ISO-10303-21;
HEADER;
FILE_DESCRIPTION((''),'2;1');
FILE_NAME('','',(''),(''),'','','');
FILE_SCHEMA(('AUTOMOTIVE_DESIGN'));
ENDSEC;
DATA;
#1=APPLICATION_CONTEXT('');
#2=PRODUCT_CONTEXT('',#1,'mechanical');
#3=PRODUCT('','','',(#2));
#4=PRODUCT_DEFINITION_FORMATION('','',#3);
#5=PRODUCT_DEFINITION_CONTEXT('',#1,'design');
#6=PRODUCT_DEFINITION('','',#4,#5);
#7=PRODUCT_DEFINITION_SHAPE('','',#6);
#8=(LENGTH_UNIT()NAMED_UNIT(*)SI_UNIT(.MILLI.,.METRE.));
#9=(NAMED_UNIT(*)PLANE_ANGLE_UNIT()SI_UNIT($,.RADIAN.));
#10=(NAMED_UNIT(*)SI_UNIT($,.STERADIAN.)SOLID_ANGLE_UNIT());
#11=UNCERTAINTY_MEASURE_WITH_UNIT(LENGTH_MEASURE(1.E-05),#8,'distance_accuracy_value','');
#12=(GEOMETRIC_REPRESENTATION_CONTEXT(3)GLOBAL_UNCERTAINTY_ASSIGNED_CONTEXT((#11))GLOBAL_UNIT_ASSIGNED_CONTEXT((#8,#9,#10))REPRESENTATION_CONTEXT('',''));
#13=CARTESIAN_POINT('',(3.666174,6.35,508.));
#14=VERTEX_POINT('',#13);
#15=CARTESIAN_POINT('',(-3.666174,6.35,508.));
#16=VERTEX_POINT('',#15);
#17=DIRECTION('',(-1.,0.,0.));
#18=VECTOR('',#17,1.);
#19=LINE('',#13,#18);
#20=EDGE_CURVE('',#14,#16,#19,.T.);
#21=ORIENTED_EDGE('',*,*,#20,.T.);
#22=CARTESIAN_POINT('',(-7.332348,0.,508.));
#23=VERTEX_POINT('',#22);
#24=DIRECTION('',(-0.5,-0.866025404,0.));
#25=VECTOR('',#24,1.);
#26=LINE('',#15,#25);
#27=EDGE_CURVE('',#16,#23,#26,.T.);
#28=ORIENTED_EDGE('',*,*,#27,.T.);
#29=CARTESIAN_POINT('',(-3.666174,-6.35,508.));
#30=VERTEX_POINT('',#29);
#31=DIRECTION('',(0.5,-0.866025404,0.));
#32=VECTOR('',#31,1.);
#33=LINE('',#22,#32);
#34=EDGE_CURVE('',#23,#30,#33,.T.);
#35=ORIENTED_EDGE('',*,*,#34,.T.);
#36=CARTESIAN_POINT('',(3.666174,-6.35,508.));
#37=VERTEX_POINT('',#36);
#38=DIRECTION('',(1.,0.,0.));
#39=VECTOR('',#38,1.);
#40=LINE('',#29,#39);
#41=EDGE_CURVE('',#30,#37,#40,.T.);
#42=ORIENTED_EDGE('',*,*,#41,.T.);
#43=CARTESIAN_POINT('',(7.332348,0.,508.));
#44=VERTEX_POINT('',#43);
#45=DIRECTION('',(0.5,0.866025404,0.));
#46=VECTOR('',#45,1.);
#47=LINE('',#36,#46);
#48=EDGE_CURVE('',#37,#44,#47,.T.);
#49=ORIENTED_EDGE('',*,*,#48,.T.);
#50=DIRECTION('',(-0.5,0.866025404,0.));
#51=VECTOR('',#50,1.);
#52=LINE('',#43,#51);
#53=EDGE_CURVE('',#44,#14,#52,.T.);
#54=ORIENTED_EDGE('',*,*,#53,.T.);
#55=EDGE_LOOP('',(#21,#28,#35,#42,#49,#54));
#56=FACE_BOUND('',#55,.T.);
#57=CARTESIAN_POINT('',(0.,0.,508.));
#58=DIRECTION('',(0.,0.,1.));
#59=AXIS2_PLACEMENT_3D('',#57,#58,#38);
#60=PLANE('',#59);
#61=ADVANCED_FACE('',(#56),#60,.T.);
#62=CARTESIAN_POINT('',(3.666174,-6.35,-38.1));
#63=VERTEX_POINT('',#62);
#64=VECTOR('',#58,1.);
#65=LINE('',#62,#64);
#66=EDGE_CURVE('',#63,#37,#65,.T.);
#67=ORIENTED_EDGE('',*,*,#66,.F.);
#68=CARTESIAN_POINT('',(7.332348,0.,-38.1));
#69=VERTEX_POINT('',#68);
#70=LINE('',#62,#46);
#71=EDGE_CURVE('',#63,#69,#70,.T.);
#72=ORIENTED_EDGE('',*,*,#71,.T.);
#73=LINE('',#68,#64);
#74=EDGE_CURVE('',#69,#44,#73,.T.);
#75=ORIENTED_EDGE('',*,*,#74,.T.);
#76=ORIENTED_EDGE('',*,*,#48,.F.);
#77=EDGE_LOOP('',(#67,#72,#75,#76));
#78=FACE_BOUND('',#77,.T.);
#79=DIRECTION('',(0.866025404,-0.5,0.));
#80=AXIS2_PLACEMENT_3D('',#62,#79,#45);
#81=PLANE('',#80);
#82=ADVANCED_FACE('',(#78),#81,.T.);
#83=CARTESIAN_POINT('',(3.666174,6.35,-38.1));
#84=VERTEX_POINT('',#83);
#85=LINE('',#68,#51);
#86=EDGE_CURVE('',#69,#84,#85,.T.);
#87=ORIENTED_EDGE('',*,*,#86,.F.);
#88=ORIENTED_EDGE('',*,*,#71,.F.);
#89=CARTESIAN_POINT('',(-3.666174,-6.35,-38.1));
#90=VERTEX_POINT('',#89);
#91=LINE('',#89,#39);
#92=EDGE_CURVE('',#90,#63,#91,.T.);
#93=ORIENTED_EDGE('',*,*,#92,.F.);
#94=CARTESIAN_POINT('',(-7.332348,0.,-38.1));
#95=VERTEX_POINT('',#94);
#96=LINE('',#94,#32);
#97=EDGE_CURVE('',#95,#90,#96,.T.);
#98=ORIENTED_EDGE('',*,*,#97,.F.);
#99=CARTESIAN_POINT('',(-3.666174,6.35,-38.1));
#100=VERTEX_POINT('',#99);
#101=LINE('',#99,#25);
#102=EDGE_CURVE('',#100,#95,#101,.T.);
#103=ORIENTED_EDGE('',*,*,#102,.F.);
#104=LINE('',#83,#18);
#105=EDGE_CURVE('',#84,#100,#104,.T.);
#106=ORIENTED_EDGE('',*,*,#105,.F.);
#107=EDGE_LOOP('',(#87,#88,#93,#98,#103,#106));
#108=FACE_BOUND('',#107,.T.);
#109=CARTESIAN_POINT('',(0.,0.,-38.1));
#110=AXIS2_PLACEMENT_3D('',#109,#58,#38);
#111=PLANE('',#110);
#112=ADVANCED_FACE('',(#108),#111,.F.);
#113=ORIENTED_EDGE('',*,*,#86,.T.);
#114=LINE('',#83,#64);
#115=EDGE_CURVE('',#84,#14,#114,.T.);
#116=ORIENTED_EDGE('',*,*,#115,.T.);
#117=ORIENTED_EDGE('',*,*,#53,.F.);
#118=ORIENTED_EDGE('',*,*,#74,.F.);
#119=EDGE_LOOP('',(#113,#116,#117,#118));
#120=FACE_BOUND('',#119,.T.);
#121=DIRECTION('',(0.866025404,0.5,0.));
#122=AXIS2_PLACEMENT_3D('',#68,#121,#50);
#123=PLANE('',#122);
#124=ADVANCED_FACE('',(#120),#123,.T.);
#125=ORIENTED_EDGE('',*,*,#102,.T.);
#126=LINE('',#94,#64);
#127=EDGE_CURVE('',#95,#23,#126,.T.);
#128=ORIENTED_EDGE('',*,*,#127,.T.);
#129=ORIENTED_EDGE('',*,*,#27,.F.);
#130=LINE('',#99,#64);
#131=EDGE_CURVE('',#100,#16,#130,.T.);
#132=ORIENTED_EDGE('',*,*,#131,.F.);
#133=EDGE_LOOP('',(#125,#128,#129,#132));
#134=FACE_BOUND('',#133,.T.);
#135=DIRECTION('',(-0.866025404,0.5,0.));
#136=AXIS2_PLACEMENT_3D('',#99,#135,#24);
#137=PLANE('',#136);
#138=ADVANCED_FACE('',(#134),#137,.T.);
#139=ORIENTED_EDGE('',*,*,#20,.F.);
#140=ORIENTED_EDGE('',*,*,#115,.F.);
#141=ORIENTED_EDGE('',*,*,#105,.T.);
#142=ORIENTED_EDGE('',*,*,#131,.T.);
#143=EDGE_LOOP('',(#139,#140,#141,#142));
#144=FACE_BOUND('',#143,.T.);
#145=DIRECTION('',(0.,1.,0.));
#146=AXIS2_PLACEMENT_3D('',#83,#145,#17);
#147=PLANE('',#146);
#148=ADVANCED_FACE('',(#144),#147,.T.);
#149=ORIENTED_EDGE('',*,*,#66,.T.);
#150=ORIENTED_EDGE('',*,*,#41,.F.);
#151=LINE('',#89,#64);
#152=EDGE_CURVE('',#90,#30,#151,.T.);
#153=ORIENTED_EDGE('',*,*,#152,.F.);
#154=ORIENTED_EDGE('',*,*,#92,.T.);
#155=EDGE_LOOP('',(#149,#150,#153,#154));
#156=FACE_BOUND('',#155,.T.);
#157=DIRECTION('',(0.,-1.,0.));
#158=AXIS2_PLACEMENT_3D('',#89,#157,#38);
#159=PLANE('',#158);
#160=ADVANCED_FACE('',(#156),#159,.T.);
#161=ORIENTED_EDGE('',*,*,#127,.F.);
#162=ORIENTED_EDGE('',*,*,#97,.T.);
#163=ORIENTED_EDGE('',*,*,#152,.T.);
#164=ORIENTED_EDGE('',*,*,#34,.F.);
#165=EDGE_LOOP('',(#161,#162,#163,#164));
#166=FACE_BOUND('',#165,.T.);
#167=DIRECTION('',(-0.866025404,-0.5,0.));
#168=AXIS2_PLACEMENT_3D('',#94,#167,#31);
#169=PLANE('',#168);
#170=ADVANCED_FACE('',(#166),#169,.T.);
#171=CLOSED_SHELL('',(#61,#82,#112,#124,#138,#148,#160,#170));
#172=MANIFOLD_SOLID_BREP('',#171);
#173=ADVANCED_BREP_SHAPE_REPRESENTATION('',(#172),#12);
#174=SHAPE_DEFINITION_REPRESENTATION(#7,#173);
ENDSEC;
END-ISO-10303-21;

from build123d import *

# Parameters (mm, degrees)
BOSS_EXTRUDE1_DEPTH      = 508
BOSS_EXTRUDE1_DEPTH_BACK = 38.1


with BuildPart() as part:
    # Sketch1 → Boss-Extrude1 (new body, two sides)
    with BuildSketch(Plane.XY) as boss_extrude1_sk:
        Polygon((7.332348419, 0), (3.666174209, 6.35), (-3.666174209, 6.35), (-7.332348419, 0), (-3.666174209, -6.35), (3.666174209, -6.35), align=None)
    extrude(amount=BOSS_EXTRUDE1_DEPTH)
    extrude(boss_extrude1_sk.sketch, amount=-BOSS_EXTRUDE1_DEPTH_BACK)


solid = part.part
